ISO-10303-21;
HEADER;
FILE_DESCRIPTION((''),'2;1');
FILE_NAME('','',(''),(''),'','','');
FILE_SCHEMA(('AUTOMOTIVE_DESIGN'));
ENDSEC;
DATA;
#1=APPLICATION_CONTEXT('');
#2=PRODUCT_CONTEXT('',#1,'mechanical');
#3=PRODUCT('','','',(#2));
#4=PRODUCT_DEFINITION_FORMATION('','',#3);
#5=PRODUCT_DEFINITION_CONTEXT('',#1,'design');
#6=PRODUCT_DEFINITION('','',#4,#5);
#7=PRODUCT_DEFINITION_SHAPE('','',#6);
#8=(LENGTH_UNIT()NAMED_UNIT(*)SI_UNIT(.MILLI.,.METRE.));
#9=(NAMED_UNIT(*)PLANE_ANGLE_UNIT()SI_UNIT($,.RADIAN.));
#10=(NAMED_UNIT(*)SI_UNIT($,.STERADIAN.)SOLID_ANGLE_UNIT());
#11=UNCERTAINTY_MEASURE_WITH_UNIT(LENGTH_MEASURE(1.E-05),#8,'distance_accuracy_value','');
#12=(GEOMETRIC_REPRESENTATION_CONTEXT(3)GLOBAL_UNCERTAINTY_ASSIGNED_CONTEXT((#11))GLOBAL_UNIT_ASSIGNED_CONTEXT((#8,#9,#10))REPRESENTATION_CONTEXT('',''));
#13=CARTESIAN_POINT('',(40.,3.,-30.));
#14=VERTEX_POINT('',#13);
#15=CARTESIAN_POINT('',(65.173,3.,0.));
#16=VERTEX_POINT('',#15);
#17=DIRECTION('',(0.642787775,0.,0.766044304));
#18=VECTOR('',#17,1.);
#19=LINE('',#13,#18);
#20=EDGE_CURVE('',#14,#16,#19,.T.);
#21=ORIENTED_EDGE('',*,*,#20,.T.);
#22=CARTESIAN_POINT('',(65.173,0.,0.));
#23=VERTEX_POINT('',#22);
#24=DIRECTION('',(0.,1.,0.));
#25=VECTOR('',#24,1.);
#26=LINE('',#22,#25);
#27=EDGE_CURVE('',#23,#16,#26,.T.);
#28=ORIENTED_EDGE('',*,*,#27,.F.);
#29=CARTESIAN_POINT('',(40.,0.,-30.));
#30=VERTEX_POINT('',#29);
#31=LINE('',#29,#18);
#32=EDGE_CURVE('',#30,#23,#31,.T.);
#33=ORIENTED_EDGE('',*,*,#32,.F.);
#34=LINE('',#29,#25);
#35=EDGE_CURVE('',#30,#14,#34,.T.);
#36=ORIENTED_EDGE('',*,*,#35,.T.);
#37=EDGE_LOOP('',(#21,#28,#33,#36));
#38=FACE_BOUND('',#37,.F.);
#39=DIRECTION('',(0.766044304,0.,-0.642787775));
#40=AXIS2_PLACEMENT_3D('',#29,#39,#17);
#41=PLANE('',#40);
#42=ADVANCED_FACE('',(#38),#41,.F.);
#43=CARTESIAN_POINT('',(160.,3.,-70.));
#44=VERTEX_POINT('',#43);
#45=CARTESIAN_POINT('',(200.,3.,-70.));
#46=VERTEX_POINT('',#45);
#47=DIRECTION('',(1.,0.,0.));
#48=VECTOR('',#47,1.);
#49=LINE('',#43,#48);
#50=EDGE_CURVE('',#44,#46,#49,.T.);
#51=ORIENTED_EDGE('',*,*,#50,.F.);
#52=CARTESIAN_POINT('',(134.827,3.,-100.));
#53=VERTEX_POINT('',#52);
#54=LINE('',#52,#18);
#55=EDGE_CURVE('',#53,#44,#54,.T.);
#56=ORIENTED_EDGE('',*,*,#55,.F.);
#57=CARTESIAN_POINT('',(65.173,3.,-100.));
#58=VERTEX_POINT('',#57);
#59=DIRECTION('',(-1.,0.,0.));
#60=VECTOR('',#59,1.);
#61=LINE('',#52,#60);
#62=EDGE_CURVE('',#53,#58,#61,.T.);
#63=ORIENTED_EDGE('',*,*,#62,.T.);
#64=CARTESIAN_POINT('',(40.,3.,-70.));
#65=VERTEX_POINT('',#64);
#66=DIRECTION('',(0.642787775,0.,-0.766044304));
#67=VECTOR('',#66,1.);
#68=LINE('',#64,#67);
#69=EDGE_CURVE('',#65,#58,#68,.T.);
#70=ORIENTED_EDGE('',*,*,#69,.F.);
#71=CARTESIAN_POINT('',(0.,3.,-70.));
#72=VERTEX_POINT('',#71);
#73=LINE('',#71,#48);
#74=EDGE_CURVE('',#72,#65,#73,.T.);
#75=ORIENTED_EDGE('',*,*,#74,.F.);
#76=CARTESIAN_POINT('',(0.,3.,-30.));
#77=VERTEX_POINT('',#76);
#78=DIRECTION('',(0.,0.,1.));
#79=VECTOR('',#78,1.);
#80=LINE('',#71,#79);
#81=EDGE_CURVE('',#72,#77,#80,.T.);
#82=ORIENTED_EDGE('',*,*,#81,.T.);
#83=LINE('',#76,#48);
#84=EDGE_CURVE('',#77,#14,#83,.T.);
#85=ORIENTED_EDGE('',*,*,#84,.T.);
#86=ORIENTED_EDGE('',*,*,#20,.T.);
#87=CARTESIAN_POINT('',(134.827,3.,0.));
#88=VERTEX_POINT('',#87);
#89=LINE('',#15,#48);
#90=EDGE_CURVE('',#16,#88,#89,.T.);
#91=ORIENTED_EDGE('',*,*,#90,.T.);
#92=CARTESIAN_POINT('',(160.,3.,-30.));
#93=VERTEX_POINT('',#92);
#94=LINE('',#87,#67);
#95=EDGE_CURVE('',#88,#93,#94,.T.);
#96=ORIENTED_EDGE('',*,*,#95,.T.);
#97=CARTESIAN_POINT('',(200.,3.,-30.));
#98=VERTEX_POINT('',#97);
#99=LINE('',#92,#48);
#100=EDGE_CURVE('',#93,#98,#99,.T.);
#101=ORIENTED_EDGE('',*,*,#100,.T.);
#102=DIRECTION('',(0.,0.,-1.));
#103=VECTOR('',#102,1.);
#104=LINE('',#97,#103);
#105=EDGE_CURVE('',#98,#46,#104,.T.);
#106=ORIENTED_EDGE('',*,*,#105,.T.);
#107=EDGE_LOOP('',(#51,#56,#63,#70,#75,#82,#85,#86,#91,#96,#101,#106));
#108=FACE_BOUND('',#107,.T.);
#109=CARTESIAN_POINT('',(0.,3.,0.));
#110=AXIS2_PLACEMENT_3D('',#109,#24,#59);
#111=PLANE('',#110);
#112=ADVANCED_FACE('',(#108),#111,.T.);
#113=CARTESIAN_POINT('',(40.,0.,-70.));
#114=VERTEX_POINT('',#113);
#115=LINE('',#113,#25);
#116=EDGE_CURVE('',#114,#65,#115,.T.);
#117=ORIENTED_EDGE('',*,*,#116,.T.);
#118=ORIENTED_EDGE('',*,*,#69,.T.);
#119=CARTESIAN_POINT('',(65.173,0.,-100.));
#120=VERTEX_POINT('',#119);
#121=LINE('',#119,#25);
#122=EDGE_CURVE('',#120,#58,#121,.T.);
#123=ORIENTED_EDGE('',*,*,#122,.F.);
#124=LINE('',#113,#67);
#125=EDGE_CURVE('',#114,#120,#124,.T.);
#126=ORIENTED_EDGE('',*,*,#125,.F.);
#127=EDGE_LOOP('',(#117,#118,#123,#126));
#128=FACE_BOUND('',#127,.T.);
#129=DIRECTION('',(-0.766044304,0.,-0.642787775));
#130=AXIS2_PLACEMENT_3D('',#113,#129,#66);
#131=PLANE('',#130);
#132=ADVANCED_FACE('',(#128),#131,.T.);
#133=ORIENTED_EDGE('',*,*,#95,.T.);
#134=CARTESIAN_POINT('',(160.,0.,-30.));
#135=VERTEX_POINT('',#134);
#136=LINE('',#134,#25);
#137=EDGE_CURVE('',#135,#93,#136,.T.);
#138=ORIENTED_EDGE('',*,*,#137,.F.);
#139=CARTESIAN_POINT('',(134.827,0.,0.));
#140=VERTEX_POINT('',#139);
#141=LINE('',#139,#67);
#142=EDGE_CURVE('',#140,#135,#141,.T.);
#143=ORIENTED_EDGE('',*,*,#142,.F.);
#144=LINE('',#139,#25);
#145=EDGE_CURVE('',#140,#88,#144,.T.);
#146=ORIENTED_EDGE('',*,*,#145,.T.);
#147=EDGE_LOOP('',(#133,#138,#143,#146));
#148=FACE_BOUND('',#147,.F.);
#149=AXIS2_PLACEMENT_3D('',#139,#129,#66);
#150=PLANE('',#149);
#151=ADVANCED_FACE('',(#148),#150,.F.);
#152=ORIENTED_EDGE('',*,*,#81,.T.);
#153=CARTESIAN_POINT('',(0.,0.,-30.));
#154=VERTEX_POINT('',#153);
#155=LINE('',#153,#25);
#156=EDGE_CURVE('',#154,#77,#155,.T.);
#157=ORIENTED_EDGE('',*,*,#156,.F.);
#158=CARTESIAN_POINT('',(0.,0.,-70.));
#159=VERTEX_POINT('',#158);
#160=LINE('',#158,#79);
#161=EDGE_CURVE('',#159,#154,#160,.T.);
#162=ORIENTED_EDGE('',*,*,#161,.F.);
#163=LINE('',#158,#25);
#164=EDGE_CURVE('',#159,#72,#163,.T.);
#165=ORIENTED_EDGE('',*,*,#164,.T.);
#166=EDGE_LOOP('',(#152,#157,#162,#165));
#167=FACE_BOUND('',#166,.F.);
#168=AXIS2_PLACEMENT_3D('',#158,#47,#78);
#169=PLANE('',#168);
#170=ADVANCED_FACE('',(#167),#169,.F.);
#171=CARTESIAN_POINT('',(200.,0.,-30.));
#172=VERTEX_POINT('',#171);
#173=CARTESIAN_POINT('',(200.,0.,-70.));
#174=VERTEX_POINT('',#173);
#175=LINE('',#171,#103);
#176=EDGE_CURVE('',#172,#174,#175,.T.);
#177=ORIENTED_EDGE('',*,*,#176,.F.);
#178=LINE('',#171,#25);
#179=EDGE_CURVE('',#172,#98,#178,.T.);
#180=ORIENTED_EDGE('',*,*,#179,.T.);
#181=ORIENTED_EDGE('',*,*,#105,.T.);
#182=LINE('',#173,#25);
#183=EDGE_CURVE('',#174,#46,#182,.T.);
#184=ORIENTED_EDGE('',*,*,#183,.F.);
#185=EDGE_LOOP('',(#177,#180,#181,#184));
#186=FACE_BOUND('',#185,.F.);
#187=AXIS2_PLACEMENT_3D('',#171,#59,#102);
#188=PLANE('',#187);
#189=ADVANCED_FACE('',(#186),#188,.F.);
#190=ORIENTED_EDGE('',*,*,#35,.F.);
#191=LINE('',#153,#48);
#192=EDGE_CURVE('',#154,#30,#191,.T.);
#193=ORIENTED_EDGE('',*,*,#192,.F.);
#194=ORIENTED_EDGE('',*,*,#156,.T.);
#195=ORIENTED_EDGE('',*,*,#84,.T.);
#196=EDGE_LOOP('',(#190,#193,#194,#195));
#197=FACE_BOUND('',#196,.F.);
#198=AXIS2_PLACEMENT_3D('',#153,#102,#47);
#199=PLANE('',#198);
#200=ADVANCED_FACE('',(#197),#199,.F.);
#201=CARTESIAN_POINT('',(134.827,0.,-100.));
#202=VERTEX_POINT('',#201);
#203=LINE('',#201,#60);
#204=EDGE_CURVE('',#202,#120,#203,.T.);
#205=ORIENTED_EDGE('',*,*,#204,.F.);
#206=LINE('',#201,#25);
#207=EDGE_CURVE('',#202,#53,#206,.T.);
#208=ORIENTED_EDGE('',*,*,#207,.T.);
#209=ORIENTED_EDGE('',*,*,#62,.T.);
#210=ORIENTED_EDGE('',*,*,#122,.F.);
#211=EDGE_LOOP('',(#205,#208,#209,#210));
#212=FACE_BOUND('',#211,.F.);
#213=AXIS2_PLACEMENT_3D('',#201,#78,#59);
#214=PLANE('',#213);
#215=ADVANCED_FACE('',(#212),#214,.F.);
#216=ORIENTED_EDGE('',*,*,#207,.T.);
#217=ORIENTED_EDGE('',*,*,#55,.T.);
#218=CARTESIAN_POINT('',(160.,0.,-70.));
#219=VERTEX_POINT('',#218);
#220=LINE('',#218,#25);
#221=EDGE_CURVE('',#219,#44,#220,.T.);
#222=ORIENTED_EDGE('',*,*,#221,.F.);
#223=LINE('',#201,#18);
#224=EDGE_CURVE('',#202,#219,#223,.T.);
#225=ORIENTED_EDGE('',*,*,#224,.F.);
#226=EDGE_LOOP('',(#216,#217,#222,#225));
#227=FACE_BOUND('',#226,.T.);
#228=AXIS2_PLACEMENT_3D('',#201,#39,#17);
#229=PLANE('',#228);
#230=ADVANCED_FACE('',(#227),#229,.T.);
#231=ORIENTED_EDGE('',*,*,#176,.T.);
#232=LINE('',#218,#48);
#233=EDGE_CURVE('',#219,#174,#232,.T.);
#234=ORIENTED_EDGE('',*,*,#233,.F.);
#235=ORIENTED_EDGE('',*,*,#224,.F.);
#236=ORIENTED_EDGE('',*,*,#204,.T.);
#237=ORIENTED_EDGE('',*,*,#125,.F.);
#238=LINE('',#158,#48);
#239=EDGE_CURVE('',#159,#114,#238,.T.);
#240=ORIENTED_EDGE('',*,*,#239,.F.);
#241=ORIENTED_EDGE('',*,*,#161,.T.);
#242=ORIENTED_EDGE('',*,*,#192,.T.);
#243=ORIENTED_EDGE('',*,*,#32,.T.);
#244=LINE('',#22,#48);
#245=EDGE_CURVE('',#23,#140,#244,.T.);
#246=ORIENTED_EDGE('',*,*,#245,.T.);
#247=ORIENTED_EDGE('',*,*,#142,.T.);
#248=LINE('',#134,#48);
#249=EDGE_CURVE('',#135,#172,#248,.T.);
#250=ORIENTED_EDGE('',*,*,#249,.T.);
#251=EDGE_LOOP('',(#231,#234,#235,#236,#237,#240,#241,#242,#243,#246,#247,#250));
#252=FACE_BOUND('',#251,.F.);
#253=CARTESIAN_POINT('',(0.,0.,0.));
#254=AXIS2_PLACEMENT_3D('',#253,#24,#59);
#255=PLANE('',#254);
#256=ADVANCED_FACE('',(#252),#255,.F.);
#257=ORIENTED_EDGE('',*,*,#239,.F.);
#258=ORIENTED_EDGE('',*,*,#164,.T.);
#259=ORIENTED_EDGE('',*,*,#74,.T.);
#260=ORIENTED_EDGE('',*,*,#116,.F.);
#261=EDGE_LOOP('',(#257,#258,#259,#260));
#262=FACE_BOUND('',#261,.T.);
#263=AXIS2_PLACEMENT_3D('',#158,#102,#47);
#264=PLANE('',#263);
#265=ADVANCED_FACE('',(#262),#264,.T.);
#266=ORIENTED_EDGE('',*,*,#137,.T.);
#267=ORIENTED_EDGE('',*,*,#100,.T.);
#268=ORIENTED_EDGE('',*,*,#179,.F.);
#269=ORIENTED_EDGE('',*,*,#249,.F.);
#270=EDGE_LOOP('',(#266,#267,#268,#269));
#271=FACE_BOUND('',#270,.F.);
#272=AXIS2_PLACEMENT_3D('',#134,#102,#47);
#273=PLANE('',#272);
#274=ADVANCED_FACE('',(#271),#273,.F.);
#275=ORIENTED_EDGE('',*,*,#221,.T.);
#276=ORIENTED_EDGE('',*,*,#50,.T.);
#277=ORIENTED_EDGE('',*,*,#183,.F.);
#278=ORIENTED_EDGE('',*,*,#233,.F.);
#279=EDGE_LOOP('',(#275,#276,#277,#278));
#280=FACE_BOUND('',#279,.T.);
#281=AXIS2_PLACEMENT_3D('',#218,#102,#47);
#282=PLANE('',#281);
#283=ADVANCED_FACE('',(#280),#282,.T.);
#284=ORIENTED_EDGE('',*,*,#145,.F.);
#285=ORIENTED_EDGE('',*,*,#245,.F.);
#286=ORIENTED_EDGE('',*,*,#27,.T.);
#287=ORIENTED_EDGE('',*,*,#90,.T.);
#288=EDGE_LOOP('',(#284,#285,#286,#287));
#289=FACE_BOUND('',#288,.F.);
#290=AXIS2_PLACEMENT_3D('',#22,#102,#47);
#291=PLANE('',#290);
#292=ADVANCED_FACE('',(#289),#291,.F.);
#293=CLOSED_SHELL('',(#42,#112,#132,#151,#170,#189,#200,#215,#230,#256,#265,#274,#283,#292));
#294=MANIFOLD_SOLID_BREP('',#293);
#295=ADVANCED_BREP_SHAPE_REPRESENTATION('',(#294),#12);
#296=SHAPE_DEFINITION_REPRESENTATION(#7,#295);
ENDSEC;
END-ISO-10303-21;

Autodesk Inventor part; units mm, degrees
ref_plane "YZ Plane" through (0, 0, 0) normal (1, 0, 0) x (0, 1, 0)
ref_plane "XZ Plane" through (0, 0, 0) normal (0, 1, 0) x (-1, 0, 0)
ref_plane "XY Plane" through (0, 0, 0) normal (0, 0, 1) x (1, 0, 0)
sketch "Sketch1" plane through (0, 0, 0) normal (0, 1, 0) x (-1, 0, 0)
  line L0 (-65.173, 0) -> (-134.827, 0)
  line L1 (-200, -30) -> (-200, -70)
  line L2 (-134.827, -100) -> (-65.173, -100)
  line L3 (0, -70) -> (0, -30)
  line L4 (0, -30) -> (-40, -30)
  line L5 (-40, -30) -> (-65.173, 0)
  line L6 (-134.827, 0) -> (-160, -30)
  line L7 (-160, -30) -> (-200, -30)
  line L8 (-134.827, -100) -> (-160, -70)
  line L9 (-160, -70) -> (-200, -70)
  line L10 (0, -70) -> (-40, -70)
  line L11 (-40, -70) -> (-65.173, -100)
  point P0 (0, 0)
  dimension "d13" = 130
  dimension "d14" = 130
  dimension "d15" = 130
  dimension "d17" = 130
  dimension "d18" = 40
  dimension "d19" = 40
  dimension "d20" = 40
  dimension "d21" = 40
  dimension "d22" = 40
  dimension "d23" = 30
  dimension "d24" = 30
  dimension "d25" = 200
  dimension "d26" = 30
  dimension "d27" = 30
  dimension "d28" = 40
  dimension "d29" = 69.654
  dimension "d30" = 69.654
extrude "Extrusion1" add sketch "Sketch1" along normal blind 3
properties part number "Base_plate" material "Acrylic, Clear"
